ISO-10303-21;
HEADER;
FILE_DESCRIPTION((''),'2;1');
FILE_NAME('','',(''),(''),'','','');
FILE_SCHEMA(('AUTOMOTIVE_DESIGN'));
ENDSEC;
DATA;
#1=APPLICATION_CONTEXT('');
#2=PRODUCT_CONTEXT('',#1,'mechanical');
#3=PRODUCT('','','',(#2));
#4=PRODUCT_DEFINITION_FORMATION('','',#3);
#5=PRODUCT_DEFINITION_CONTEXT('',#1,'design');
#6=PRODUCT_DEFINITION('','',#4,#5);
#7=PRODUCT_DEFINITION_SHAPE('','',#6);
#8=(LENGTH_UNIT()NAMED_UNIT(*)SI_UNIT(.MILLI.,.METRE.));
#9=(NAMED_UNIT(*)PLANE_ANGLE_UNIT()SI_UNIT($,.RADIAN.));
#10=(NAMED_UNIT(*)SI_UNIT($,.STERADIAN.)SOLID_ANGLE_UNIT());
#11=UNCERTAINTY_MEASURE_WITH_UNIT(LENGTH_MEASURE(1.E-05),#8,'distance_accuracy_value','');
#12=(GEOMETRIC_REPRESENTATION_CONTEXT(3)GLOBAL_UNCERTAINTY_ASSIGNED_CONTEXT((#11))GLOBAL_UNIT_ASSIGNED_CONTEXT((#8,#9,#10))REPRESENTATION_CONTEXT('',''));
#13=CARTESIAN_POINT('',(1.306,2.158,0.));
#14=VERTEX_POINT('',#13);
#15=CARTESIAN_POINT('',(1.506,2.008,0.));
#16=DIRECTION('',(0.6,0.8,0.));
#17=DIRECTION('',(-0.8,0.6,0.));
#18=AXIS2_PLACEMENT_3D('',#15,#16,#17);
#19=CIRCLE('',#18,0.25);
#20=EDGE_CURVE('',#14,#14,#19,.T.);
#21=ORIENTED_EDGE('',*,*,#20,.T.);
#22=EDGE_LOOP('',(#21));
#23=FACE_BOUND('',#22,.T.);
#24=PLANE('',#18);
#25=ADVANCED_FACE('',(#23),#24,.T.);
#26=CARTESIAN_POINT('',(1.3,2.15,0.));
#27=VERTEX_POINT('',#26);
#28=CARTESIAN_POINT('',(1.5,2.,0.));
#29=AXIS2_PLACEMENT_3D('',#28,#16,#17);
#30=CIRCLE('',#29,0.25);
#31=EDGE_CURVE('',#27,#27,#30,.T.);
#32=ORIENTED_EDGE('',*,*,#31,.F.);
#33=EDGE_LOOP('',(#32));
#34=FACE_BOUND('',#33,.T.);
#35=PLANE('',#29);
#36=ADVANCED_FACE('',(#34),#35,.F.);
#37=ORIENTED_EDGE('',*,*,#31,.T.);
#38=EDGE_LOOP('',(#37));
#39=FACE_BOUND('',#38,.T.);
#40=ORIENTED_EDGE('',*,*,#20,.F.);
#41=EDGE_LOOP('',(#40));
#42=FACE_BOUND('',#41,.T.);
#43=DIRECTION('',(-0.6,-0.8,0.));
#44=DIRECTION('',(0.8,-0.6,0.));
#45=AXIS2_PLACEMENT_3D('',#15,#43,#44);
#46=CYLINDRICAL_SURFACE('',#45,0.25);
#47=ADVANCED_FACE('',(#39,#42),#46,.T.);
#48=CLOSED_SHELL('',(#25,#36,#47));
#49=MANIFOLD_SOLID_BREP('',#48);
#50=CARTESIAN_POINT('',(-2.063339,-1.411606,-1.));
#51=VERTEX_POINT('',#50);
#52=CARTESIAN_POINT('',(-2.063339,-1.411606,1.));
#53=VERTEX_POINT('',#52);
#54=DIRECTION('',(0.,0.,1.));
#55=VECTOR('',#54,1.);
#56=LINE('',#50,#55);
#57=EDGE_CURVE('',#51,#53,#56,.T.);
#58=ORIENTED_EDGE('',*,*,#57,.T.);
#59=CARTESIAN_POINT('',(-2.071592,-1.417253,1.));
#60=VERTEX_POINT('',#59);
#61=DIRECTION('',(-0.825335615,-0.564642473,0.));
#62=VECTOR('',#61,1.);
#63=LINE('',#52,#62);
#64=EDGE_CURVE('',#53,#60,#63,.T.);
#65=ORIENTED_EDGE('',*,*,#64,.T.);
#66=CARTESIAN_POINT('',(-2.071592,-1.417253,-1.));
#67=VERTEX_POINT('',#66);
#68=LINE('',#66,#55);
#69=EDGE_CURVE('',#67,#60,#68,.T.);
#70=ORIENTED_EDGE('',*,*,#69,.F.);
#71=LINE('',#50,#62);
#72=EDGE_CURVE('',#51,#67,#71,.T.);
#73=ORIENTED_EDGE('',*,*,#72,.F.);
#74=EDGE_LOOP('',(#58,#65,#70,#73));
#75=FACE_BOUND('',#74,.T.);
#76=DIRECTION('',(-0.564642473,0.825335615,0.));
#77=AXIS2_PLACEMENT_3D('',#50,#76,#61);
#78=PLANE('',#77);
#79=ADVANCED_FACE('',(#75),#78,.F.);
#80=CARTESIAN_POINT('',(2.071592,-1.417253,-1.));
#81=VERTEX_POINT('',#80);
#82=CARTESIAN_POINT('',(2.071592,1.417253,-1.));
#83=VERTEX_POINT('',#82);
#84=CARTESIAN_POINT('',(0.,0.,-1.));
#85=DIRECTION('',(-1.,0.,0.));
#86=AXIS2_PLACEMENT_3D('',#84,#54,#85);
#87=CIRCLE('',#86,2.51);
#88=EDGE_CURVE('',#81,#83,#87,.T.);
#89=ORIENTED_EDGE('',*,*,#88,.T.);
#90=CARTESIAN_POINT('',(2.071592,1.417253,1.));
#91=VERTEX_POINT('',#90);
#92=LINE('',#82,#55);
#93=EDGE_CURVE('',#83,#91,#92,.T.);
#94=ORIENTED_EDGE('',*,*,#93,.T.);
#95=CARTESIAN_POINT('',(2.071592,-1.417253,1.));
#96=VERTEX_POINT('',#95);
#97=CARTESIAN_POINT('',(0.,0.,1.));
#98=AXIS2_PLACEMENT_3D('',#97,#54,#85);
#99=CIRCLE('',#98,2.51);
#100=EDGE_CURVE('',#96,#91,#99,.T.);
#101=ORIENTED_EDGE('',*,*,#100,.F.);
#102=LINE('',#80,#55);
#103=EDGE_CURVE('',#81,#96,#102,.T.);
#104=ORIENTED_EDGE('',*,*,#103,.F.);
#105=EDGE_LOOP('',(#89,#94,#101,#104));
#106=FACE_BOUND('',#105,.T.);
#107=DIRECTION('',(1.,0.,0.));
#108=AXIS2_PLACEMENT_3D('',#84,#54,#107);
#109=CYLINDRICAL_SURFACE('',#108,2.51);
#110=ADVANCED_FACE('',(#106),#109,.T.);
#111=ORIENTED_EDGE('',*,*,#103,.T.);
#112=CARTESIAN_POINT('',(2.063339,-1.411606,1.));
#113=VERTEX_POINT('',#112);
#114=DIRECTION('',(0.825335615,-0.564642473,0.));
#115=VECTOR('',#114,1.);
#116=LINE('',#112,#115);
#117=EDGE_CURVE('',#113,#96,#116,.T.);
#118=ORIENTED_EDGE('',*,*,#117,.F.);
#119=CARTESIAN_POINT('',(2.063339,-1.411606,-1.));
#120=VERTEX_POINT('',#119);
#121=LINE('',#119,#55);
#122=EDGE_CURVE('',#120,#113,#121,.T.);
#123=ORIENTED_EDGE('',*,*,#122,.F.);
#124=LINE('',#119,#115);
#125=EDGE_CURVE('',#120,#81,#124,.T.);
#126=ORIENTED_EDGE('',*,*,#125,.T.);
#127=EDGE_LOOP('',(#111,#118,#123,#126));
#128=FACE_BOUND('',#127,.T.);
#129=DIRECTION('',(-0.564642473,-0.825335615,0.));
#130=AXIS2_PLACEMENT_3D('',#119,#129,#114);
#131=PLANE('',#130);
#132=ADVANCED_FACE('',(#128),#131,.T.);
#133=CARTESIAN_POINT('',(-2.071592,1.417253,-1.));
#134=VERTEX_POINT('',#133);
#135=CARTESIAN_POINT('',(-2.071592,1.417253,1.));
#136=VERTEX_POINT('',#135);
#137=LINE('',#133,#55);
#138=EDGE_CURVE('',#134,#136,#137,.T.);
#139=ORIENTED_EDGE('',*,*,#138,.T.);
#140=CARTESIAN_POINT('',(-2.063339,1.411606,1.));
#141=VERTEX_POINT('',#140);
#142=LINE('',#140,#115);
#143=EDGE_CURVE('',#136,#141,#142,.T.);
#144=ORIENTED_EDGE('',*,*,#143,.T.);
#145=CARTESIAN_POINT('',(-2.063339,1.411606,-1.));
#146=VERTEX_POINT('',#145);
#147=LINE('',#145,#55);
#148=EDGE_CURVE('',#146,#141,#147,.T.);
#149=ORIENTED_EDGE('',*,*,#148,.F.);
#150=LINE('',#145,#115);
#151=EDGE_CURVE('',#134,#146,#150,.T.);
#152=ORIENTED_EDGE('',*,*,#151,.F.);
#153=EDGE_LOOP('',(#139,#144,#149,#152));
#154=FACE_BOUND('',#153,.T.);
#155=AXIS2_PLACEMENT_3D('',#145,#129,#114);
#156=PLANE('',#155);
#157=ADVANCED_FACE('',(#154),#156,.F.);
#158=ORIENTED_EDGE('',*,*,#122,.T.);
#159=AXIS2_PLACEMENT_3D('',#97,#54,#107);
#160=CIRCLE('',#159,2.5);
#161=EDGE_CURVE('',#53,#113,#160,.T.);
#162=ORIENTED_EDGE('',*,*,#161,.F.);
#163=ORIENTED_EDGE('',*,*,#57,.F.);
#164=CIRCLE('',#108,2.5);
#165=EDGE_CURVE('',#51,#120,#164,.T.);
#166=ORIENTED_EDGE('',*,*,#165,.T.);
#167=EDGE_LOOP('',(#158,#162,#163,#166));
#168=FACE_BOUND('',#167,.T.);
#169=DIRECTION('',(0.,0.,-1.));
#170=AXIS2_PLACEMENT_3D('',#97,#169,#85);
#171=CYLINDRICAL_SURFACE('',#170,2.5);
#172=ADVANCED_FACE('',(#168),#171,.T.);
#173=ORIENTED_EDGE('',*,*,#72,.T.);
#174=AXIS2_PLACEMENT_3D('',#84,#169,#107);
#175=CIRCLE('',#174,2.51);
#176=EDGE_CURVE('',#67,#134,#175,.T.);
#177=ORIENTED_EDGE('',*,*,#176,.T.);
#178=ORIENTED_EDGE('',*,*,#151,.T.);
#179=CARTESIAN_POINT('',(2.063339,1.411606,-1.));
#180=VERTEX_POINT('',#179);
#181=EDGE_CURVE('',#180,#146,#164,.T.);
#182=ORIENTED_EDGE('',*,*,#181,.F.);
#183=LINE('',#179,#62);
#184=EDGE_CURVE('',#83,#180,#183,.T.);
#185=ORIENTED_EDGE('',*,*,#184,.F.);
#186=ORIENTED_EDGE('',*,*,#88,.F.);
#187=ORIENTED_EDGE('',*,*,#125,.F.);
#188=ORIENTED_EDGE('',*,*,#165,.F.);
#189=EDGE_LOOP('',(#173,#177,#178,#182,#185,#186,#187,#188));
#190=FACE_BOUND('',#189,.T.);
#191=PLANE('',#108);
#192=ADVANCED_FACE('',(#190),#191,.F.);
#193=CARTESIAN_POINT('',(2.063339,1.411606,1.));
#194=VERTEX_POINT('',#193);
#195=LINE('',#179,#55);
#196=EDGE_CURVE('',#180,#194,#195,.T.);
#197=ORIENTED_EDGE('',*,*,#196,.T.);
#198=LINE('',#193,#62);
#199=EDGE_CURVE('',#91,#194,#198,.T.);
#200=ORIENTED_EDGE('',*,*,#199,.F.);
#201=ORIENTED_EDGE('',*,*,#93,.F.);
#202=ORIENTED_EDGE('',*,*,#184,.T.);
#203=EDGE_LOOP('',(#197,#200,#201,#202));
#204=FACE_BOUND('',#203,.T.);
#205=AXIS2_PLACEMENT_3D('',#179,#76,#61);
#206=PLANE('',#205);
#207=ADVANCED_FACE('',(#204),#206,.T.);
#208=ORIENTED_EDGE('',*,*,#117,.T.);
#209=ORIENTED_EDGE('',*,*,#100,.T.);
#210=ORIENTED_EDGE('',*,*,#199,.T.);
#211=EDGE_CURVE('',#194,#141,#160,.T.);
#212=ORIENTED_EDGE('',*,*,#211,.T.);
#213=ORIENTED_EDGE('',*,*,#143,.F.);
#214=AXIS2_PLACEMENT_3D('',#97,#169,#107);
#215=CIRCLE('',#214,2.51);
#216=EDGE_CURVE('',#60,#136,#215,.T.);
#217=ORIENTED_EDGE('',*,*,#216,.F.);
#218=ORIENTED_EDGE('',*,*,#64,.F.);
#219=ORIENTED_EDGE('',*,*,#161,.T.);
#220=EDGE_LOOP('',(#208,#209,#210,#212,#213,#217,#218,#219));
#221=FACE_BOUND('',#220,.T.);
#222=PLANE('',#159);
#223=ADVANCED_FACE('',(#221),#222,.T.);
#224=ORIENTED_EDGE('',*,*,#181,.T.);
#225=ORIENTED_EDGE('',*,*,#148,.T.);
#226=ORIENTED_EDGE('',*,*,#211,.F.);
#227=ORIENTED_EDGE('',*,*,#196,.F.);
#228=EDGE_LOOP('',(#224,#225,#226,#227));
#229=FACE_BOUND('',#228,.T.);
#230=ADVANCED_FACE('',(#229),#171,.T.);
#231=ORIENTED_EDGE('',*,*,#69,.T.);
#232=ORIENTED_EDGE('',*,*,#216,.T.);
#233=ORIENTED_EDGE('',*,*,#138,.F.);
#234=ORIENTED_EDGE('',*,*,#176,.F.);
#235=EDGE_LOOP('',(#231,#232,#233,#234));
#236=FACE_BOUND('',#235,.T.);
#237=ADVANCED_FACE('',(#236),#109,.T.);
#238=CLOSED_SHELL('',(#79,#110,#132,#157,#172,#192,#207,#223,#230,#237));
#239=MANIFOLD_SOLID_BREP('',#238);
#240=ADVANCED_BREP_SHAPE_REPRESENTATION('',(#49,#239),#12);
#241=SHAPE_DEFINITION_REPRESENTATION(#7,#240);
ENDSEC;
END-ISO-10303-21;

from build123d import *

# Parameters (mm, degrees)
SKETCH1_R           = 2.5
BOSS_EXTRUDE3_DEPTH = 1
BOSS_EXTRUDE4_DEPTH = 2
SKETCH12_4_R        = 0.25
BOSS_EXTRUDE5_DEPTH = 0.01


with BuildPart() as part:
    # Sketch1 → Boss-Extrude3 (new body, symmetric)
    with BuildSketch(Plane.XY):
        Circle(SKETCH1_R)
    extrude(amount=BOSS_EXTRUDE3_DEPTH, both=True)

    # Sketch2 → Boss-Extrude4 (add)
    with BuildSketch(Plane.XY.offset(1)):
        with BuildLine():
            Line((2.063339037, 1.411606183), (2.071592393, 1.417252608))
            ThreePointArc((2.071592393, 1.417252608), (2.51, 0), (2.071592393, -1.417252608))
            Line((2.071592393, -1.417252608), (2.063339037, -1.411606183))
            ThreePointArc((2.063339037, -1.411606183), (2.5, 0), (2.063339037, 1.411606183))
        make_face()
    boss_extrude4 = extrude(amount=-BOSS_EXTRUDE4_DEPTH)

    # Mirror1: Boss-Extrude4 across plane
    add(boss_extrude4.mirror(Plane(origin=(0, 0, 0), x_dir=(0, 0, 1), z_dir=(1, 0, 0))))


with BuildPart() as body_2:
    # Sketch12_4 → Boss-Extrude5 (new body)
    with BuildSketch(Plane(origin=(1.5, 2, 0), x_dir=(0.8, -0.6, 0), z_dir=(0.6, 0.8, 0))):
        with Locations(Location((0, 0, 0), (0, 0, 180))):  # turned: the seam where the file's is
            Circle(SKETCH12_4_R)
    extrude(amount=BOSS_EXTRUDE5_DEPTH)


solid = Compound([part.part, body_2.part])
